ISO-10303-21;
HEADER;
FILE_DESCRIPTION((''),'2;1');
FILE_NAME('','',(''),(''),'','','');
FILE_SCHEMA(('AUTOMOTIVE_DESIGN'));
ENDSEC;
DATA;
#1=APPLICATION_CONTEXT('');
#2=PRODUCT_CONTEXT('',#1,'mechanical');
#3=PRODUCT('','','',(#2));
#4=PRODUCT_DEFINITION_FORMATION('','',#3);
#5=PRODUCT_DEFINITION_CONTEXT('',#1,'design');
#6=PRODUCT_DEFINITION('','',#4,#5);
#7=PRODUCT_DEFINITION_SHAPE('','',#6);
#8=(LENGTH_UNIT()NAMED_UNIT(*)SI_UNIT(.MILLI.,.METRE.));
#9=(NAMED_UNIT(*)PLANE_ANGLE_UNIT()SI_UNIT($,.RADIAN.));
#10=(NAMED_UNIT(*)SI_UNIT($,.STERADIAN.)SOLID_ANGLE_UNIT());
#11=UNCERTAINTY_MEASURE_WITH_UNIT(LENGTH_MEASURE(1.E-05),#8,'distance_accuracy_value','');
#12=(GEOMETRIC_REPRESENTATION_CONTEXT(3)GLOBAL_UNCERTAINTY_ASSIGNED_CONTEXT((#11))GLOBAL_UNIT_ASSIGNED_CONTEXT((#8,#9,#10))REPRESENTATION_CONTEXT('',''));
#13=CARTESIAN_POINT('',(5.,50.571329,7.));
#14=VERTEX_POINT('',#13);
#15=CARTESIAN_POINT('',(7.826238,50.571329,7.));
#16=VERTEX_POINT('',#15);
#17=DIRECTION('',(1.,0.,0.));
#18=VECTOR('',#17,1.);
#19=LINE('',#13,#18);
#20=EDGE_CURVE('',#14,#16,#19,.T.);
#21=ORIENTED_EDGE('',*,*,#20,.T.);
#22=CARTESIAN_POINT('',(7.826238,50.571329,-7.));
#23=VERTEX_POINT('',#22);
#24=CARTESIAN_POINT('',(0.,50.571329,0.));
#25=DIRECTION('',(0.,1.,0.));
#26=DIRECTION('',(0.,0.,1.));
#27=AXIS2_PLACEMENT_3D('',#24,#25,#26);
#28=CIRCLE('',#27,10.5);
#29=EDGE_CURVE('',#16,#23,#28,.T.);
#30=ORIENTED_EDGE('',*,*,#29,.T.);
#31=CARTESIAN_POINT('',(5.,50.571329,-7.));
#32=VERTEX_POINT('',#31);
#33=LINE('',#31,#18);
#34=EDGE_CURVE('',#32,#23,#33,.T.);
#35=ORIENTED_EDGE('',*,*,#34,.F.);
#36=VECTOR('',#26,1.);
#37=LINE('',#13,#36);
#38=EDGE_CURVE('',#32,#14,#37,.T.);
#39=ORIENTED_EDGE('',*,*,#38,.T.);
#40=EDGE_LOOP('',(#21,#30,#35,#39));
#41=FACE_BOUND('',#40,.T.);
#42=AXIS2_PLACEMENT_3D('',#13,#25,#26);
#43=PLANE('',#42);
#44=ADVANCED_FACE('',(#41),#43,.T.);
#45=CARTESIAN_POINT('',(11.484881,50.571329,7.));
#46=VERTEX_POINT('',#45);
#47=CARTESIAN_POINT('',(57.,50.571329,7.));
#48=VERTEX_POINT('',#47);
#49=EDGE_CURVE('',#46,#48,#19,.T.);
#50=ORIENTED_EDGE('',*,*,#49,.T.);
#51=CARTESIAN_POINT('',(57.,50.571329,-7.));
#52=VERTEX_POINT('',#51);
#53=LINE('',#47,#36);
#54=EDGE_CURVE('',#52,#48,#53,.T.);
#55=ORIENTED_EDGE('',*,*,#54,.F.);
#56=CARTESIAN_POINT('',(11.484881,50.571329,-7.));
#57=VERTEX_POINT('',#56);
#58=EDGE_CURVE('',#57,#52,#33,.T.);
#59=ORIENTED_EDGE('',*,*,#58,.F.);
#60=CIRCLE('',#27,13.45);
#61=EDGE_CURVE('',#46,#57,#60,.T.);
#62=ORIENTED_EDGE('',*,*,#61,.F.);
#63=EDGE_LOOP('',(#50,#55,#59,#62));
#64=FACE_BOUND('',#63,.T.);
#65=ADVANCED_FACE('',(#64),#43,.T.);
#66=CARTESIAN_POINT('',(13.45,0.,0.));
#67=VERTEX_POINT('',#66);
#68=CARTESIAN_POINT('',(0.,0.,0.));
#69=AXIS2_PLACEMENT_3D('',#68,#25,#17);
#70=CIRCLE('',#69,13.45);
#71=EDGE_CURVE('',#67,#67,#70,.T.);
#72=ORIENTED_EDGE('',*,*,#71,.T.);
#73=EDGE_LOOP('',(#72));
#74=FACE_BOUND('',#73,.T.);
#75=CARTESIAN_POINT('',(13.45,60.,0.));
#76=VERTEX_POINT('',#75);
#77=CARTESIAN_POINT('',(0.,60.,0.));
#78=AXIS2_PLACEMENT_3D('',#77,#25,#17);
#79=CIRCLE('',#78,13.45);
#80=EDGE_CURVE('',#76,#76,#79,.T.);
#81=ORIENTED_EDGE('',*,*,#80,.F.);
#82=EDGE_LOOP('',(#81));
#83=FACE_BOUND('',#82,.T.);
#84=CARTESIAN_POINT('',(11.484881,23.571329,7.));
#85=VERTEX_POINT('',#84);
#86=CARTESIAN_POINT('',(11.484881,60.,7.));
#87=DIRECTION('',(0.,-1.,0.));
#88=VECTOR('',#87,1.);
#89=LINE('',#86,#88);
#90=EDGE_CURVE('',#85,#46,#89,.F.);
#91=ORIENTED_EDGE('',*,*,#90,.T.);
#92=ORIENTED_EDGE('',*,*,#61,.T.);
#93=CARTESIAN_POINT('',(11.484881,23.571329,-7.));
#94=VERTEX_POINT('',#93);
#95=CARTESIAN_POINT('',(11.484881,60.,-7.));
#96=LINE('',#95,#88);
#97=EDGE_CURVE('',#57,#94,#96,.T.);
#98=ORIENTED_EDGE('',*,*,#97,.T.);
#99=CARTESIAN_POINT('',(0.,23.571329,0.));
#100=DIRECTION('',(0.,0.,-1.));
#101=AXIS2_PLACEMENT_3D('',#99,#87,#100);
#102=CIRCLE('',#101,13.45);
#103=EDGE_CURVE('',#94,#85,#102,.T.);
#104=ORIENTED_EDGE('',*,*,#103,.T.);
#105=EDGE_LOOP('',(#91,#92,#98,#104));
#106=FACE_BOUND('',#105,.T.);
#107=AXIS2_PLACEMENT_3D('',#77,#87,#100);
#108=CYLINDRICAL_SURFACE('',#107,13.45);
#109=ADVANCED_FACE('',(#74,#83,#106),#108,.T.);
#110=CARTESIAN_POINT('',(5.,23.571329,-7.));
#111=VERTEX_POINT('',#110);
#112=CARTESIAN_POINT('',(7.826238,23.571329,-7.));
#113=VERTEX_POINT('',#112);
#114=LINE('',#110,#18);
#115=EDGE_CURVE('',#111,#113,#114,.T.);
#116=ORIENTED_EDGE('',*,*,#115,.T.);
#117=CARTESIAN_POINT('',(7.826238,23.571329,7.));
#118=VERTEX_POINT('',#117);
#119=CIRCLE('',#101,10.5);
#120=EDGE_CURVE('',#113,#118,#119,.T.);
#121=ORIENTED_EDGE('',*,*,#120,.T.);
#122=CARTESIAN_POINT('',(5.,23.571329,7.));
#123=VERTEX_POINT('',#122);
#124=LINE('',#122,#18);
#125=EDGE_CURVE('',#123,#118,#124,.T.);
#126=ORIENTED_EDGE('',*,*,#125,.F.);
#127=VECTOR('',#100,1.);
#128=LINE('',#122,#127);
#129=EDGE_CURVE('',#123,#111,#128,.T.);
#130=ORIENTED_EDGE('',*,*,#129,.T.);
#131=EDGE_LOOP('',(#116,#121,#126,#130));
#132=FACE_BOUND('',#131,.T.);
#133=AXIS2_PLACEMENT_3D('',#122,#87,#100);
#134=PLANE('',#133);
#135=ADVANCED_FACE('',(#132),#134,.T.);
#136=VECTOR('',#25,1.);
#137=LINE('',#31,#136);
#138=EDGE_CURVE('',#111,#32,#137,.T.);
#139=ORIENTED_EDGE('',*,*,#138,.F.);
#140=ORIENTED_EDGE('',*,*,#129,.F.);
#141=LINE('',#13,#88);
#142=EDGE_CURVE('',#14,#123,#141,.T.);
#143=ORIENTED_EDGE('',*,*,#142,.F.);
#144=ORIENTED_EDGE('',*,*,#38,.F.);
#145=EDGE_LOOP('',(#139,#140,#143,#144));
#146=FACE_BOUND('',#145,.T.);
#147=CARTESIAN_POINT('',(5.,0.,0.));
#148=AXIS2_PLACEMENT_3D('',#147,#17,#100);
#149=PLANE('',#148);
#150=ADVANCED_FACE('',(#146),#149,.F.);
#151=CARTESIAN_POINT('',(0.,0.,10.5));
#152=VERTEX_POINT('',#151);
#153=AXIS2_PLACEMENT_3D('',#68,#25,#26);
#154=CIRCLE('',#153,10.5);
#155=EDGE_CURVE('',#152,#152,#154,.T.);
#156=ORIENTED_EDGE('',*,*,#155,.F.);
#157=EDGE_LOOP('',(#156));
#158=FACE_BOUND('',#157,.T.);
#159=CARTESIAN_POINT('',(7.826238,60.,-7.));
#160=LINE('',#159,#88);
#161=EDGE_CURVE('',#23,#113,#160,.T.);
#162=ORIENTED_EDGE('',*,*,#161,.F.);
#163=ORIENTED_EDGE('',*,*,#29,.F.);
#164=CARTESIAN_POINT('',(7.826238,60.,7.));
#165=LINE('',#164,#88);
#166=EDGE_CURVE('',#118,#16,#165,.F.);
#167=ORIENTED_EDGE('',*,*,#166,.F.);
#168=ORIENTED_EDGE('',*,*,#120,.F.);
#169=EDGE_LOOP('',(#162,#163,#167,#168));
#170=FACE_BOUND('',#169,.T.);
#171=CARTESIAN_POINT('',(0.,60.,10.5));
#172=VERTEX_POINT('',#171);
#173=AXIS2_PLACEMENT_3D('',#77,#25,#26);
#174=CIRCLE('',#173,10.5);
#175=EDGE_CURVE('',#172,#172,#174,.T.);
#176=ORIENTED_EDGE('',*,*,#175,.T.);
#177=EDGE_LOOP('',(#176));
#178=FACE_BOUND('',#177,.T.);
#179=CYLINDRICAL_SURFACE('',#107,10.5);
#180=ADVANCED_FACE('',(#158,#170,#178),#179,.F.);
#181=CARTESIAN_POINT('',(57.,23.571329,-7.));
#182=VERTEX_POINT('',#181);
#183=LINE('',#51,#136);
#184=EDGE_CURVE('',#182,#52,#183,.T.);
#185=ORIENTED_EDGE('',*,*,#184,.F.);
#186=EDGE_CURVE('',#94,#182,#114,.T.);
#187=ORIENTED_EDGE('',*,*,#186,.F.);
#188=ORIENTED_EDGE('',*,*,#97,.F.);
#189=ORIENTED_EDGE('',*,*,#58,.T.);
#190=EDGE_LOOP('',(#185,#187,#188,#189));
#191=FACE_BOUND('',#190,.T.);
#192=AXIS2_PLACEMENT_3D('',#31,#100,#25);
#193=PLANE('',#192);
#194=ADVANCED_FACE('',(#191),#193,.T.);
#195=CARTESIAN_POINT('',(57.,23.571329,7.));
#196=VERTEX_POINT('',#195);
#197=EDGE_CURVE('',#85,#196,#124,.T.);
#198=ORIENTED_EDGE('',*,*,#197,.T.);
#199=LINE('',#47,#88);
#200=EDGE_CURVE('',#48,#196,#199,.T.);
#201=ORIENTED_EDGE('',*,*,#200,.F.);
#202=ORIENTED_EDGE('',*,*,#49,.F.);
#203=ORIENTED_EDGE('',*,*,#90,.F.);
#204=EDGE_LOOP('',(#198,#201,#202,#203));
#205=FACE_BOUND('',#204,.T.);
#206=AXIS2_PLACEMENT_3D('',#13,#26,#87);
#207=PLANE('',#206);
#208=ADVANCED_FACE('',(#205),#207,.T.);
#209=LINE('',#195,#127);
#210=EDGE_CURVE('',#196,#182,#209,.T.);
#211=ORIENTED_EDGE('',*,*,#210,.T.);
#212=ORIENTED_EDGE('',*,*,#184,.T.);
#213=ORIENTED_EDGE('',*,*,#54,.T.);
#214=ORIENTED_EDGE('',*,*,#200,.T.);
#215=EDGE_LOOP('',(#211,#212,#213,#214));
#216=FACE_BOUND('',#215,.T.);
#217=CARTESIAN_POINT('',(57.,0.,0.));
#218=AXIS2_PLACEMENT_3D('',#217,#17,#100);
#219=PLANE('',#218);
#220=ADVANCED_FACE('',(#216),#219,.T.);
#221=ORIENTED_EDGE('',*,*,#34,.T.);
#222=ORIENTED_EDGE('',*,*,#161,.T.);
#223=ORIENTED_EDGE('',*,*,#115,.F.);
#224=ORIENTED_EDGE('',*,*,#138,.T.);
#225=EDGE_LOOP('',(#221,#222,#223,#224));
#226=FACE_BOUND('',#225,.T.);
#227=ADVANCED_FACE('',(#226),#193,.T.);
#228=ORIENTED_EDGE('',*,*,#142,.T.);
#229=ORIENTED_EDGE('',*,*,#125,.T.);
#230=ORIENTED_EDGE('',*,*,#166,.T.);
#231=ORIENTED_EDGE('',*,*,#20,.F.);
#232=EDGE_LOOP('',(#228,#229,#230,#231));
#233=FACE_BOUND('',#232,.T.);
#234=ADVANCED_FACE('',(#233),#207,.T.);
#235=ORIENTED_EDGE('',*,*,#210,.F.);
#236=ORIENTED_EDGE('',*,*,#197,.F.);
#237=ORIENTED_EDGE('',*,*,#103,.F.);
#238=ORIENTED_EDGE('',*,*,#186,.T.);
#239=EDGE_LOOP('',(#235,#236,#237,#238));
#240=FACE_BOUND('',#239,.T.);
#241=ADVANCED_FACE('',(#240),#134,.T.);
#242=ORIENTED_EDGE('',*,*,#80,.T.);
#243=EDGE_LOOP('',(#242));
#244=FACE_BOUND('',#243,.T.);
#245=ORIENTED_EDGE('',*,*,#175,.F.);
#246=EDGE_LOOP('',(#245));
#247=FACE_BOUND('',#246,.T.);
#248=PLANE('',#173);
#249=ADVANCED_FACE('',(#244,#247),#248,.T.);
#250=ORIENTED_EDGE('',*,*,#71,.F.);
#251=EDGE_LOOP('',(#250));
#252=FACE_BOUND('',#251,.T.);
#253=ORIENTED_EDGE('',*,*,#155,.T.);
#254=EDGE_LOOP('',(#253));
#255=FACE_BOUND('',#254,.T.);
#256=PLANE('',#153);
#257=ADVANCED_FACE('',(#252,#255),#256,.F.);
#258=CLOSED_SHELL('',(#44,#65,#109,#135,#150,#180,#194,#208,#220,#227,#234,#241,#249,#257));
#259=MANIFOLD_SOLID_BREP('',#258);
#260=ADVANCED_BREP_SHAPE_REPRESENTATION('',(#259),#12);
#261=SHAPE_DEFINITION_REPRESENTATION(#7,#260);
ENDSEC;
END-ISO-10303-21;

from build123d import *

# Parameters (mm, degrees)
SKETCH_1_R             = 13.45
SKETCH_1_R_2           = 10.5
EXTRUDE_1_DEPTH        = 60
EXTRUDE_1_2_DEPTH      = 47
EXTRUDE_1_2_DEPTH_BACK = 5
SKETCH_2_W             = 14
SKETCH_2_H             = 27


with BuildPart() as part:
    # 草圖1 → Extrude 1 (new body)
    with BuildSketch(Plane(origin=(0, 0, 0), x_dir=(1, 0, 0), z_dir=(0, 1, 0))):
        Circle(SKETCH_1_R)
        Circle(SKETCH_1_R_2, mode=Mode.SUBTRACT)
    extrude(amount=EXTRUDE_1_DEPTH)

    # 草圖2 → Extrude 1 2 (add, two sides: drawn at the far end of the back side and taken through both)
    with BuildSketch(Plane(origin=(10, 0, 0), x_dir=(0, 0, -1), z_dir=(1, 0, 0)).offset(-EXTRUDE_1_2_DEPTH_BACK)):
        with Locations((0, 37.071329062)):
            Rectangle(SKETCH_2_W, SKETCH_2_H)
    extrude(amount=EXTRUDE_1_2_DEPTH + EXTRUDE_1_2_DEPTH_BACK)


solid = part.part
